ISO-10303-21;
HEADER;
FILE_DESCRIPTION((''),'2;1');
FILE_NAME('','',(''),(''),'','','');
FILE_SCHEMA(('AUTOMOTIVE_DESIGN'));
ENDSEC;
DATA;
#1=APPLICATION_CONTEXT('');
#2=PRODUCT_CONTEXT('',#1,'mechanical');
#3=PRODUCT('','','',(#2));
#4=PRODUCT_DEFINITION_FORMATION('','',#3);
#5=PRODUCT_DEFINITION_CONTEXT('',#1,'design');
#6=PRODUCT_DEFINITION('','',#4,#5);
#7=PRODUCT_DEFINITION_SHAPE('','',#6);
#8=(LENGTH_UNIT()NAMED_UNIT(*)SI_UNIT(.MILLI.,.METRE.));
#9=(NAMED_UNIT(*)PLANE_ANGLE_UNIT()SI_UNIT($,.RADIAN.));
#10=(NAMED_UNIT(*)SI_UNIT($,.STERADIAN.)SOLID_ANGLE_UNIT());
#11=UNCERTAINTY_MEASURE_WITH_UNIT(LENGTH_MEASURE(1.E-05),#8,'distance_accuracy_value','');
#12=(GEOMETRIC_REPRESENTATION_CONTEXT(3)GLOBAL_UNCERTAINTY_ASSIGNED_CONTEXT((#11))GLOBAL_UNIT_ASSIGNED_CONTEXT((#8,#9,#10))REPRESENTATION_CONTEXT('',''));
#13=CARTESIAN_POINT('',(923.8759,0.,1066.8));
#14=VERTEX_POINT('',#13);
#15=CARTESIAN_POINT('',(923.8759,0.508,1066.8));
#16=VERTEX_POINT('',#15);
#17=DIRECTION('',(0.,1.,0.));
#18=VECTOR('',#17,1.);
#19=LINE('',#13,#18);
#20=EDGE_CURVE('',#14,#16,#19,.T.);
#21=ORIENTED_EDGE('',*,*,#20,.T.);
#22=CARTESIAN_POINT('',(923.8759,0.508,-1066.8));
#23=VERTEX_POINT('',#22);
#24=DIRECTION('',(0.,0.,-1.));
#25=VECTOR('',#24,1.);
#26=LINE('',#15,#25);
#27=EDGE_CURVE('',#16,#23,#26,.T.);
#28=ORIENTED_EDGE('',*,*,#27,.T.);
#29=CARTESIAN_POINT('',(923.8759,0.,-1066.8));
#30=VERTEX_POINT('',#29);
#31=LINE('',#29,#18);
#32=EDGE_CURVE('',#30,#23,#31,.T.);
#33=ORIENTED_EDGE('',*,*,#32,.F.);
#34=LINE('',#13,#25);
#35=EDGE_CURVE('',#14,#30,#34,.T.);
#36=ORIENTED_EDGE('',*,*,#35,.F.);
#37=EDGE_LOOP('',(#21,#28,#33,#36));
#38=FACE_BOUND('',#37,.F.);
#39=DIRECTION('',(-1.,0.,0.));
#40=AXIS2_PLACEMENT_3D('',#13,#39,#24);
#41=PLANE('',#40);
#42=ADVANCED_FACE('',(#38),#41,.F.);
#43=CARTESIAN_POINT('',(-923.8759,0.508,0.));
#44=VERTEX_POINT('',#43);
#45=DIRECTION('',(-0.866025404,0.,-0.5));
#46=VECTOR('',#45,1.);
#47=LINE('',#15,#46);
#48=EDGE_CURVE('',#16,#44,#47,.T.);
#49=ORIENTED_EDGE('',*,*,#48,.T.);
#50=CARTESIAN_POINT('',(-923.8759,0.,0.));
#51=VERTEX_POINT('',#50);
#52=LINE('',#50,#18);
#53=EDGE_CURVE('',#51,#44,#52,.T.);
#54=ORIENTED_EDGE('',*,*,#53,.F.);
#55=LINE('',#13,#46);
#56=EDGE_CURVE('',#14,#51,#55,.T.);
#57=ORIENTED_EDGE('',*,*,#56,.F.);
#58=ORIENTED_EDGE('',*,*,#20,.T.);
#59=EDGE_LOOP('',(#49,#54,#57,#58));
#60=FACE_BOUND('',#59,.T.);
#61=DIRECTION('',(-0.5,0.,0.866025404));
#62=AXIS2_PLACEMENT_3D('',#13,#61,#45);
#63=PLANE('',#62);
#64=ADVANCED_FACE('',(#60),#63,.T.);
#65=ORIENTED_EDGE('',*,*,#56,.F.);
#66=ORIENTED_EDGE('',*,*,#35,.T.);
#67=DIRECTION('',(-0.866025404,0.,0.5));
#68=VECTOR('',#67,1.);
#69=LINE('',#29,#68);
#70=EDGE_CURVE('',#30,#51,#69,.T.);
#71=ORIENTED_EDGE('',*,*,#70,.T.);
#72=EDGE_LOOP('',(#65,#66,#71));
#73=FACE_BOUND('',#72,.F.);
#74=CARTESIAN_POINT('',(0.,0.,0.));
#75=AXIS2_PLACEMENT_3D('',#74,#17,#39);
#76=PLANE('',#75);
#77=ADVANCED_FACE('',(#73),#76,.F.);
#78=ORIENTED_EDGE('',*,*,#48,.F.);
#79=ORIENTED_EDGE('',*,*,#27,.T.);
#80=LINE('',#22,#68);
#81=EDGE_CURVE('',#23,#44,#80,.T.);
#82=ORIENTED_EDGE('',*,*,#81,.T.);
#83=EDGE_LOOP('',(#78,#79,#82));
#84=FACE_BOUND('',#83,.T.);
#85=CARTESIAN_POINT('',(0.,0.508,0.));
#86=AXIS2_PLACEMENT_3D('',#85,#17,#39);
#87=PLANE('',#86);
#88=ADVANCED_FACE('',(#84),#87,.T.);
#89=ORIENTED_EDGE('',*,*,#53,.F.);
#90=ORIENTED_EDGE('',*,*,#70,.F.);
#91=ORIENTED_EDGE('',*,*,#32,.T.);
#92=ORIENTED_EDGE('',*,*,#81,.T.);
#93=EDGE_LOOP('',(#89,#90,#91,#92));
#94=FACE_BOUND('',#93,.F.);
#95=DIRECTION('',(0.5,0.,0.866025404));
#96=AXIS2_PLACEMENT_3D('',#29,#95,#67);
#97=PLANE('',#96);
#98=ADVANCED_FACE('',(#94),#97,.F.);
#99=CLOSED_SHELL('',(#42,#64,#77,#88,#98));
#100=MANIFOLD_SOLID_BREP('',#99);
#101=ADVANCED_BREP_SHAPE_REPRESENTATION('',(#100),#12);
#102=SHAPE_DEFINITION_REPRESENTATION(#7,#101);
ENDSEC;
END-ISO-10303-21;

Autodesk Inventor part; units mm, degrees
ref_plane "YZ Plane" through (0, 0, 0) normal (1, 0, 0) x (0, 1, 0)
ref_plane "XZ Plane" through (0, 0, 0) normal (0, 1, 0) x (-1, 0, 0)
ref_plane "XY Plane" through (0, 0, 0) normal (0, 0, 1) x (1, 0, 0)
sketch "Sketch1" plane through (0, 0, 0) normal (0, 1, 0) x (-1, 0, 0)
  line L0 (-923.8759, 1066.8) -> (-923.8759, -1066.8)
  line L1 (-923.8759, -1066.8) -> (923.8759, 0)
  line L2 (-923.8759, 1066.8) -> (923.8759, 0)
  point P0 (0, 0)
  point P1 (0, -533.4)
  dimension "d2" = 2133.6
extrude "Extrusion1" add sketch "Sketch1" along normal blind 0.508
properties part number "Triangle"
